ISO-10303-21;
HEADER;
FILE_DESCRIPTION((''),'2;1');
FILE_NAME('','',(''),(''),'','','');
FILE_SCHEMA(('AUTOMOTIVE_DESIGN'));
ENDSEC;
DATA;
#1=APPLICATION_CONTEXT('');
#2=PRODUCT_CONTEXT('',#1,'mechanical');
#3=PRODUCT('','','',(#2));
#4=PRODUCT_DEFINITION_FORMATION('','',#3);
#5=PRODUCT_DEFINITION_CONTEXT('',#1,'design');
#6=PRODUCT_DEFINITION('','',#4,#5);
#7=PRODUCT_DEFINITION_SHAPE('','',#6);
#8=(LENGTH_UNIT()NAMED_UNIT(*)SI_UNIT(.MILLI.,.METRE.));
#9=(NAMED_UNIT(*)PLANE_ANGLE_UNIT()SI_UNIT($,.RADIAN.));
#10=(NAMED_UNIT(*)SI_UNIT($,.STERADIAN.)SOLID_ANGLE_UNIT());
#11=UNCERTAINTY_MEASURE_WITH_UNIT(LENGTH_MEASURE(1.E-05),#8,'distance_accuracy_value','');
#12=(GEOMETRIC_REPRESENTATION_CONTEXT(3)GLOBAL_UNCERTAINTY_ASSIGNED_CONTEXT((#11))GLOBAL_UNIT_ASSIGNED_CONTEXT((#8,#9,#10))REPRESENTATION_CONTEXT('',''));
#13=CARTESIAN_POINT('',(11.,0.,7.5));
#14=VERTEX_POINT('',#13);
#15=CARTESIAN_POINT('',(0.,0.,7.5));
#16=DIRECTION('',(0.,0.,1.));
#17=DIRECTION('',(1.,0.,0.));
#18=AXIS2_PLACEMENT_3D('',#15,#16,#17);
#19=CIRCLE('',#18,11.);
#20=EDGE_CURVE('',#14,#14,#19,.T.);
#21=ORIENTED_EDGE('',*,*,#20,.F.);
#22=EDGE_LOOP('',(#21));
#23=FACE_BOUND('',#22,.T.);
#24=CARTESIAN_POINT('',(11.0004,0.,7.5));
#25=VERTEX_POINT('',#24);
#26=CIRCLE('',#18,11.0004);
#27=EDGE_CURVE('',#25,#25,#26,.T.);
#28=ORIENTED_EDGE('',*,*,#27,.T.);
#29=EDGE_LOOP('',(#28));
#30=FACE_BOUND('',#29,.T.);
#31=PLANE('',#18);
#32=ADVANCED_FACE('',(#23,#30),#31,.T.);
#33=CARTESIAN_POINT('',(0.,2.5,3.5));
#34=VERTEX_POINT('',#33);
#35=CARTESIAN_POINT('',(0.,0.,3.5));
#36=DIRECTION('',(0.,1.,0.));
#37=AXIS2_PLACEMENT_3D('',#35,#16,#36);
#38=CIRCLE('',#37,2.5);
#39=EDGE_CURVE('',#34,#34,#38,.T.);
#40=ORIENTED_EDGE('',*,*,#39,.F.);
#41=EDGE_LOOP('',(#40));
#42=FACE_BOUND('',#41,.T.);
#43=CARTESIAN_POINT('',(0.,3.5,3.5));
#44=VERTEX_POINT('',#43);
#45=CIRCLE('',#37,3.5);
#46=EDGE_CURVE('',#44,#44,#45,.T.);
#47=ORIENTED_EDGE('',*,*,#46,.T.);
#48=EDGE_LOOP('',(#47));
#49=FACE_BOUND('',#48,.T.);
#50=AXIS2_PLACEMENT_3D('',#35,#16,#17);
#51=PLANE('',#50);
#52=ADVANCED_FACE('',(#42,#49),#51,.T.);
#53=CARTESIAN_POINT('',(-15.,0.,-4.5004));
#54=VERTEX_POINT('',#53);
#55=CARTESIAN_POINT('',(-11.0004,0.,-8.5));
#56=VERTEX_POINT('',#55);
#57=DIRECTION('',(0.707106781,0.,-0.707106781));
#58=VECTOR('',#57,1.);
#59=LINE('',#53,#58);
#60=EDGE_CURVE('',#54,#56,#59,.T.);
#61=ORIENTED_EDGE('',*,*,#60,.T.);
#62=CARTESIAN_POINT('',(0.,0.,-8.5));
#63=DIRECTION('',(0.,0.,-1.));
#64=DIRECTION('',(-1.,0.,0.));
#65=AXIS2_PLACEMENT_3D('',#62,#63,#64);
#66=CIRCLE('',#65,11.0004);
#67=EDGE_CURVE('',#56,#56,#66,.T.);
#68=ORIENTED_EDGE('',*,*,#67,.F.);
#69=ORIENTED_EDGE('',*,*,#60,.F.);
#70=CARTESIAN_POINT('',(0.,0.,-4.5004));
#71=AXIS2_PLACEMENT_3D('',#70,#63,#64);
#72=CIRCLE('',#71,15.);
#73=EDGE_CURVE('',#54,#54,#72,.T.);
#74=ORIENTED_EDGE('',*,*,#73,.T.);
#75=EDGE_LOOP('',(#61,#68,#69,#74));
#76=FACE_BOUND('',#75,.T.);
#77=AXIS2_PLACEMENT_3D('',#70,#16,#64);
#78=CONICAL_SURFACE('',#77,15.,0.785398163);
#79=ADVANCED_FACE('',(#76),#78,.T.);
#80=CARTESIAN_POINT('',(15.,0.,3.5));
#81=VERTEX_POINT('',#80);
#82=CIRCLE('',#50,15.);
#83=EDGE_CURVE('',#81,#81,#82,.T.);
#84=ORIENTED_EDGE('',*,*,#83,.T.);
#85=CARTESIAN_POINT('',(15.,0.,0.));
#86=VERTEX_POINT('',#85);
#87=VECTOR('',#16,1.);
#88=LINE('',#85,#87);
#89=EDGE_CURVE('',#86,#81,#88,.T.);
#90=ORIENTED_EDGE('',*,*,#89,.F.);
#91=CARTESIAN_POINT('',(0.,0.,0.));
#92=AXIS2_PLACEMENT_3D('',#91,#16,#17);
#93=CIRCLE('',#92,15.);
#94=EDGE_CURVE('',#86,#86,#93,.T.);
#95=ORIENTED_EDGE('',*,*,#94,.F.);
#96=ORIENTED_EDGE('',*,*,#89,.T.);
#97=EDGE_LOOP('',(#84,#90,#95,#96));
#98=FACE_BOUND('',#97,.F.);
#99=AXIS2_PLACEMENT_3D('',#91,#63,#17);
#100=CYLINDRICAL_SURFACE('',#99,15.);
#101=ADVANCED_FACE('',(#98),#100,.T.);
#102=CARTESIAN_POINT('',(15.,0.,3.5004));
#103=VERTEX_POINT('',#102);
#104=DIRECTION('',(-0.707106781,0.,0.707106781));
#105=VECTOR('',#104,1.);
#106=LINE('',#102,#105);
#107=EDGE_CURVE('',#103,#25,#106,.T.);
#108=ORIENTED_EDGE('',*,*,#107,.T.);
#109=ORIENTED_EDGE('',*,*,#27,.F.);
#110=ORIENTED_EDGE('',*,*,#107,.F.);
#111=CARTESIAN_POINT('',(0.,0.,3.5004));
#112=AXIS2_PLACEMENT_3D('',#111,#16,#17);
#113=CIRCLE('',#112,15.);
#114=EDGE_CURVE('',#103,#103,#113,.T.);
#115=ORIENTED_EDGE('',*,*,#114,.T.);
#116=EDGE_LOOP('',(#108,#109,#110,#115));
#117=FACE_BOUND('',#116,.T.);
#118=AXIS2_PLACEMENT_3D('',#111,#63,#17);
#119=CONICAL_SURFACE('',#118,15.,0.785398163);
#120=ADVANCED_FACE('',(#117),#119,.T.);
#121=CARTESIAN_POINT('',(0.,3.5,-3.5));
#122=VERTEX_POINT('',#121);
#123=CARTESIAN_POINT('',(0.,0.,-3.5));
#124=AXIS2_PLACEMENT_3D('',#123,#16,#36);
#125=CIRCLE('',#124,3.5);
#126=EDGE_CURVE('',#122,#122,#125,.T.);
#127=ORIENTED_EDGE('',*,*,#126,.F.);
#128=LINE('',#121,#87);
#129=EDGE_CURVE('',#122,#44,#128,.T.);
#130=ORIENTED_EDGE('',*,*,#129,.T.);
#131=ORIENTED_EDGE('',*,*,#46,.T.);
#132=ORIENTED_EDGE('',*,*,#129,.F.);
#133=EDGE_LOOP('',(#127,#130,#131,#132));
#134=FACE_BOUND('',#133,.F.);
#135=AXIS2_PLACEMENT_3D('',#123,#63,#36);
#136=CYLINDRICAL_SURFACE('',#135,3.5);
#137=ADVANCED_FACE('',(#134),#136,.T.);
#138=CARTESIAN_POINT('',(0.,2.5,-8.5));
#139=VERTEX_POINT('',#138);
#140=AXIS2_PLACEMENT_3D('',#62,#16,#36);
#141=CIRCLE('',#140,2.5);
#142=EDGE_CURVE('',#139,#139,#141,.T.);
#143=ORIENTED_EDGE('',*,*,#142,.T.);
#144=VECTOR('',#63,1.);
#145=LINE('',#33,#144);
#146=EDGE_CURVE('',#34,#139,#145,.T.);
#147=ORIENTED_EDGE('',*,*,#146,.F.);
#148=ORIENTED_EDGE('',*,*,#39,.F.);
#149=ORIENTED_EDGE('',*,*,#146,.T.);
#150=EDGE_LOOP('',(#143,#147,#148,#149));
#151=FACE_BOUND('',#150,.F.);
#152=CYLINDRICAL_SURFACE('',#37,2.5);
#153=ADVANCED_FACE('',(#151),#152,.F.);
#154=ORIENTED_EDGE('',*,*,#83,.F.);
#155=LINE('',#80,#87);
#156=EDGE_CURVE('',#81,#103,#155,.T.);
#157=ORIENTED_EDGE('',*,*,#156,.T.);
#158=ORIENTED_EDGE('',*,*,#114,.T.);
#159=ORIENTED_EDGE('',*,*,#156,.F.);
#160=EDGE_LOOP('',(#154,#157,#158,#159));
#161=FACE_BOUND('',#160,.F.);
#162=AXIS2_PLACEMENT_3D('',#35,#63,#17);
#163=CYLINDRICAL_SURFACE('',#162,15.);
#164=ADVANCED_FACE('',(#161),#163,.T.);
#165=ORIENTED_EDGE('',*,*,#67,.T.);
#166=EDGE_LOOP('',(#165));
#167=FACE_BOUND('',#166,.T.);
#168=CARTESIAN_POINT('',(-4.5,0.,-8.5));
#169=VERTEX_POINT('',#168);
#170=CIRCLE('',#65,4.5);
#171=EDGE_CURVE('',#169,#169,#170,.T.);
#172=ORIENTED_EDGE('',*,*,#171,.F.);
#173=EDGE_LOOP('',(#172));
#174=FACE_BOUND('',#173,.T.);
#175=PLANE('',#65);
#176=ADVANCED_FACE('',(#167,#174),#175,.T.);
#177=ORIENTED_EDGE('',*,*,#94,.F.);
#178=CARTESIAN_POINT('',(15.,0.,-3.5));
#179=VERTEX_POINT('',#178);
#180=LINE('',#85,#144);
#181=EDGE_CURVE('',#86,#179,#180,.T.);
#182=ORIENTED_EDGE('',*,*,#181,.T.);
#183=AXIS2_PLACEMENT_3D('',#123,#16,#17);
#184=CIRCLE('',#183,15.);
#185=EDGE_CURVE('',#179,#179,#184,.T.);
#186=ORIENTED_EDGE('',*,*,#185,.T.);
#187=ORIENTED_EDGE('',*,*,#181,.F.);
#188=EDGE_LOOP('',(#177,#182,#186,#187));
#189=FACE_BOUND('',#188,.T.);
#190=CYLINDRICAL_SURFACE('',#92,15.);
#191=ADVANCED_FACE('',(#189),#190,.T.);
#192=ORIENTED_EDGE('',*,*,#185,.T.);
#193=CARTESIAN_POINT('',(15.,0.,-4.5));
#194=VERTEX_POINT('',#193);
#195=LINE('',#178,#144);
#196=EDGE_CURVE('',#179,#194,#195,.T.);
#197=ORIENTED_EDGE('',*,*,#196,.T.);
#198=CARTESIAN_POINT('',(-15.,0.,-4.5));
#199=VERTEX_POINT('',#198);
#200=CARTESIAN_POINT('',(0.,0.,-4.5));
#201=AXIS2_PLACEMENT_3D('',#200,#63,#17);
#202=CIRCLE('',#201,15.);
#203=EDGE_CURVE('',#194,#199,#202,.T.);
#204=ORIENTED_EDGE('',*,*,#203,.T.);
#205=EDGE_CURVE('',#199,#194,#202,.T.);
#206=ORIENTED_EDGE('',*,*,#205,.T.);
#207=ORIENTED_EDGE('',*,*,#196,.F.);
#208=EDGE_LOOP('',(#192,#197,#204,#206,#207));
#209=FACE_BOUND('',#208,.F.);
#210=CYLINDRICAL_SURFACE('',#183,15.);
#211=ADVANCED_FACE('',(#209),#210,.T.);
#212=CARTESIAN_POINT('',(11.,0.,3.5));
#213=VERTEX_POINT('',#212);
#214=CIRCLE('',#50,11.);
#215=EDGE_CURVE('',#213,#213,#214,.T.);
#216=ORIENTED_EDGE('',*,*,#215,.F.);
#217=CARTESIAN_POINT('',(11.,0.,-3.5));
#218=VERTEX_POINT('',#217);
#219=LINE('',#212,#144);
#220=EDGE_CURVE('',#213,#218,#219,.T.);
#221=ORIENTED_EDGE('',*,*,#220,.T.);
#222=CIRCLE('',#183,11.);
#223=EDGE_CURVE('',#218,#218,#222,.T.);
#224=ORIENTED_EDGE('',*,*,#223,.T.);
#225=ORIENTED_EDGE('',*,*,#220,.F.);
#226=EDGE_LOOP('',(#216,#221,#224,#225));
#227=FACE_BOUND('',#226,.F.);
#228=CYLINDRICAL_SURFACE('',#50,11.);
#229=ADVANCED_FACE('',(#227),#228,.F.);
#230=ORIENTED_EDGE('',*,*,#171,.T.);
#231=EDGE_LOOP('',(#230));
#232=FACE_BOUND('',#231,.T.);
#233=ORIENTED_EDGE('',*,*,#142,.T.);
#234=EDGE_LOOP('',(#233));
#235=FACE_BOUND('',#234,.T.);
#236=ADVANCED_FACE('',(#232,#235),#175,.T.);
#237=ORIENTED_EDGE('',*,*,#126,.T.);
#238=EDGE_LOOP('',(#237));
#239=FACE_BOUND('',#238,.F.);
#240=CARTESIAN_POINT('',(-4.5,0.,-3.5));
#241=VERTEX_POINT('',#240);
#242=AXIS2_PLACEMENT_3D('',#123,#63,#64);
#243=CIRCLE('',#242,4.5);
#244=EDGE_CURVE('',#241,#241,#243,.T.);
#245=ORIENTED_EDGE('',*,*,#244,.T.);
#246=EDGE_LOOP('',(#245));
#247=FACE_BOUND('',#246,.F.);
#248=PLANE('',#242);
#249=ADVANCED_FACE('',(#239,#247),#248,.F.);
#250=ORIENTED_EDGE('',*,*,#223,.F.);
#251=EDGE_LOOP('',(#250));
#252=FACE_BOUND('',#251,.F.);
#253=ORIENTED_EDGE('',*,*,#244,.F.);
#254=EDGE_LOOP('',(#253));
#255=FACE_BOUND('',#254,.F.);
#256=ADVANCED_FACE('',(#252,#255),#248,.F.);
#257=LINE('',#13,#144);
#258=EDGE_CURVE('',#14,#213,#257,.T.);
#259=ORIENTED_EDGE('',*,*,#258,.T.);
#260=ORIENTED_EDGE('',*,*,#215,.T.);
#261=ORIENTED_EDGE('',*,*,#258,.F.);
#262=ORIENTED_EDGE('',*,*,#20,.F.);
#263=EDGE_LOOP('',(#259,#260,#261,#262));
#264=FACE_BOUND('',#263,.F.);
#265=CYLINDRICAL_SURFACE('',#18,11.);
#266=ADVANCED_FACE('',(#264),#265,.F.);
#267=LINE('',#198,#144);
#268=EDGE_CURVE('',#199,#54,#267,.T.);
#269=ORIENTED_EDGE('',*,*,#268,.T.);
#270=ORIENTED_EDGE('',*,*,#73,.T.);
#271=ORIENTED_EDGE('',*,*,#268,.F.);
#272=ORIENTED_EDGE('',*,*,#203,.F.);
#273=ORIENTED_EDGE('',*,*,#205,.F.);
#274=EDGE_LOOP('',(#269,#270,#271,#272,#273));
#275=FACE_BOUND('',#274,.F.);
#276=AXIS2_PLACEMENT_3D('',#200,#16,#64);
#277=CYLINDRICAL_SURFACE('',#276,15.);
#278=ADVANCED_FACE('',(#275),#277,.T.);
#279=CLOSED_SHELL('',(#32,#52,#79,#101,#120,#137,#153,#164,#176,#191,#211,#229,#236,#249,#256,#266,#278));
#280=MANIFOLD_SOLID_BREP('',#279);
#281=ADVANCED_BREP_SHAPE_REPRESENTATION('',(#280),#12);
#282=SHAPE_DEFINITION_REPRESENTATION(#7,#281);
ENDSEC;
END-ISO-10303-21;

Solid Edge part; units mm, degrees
sketch "Sketch1" plane through (0, 0, 0) normal (0, 0, 1) x (1, 0, 0)
  circle A0 centre (0, 0) radius 15
extrude "Protrusion1" add sketch "Sketch1" along normal mid plane 7
sketch "Sketch2" plane through (0, 0, 3.5) normal (0, 0, 1) x (1, 0, 0)
  circle A0 centre (0, 0) radius 11
extrude "ExtrudedCutout_2" cut sketch "Sketch2" against normal blind 28.5
sketch "Sketch3" plane through (0, 0, -3.5) normal (0, 0, -1) x (1, 0, 0)
  circle A0 centre (0, 0) radius 15
extrude "ExtrudedProtrusion_2" add sketch "Sketch3" along normal blind 1
sketch "Sketch4" plane through (0, 0, -4.5) normal (0, 0, -1) x (1, 0, 0)
  circle A0 centre (0, 0) radius 4.5
extrude "ExtrudedCutout_3" cut sketch "Sketch4" against normal blind 57
sketch "Sketch5" plane through (0, 0, 3.5) normal (0, 0, 1) x (1, 0, 0)
  circle A0 centre (0, 0) radius 15
extrude "ExtrudedProtrusion_3" add sketch "Sketch5" along normal blind 4
sketch "Sketch6" plane through (0, 0, 7.5) normal (0, 0, 1) x (1, 0, 0)
  circle A0 centre (0, 0) radius 11
extrude "ExtrudedCutout_4" cut sketch "Sketch6" against normal blind 4
chamfer "Chamfer_1" distance 4 angle 45 1 edges at (-15, 0, 7.5)
sketch "Sketch7" plane through (0, 0, -4.5) normal (0, 0, -1) x (-1, 0, 0)
  circle A0 centre (0, 0) radius 15
extrude "ExtrudedProtrusion_5" add sketch "Sketch7" along normal blind 4
sketch "Sketch8" plane through (0, 0, -8.5) normal (0, 0, -1) x (-1, 0, 0)
  circle A0 centre (0, 0) radius 4.5
extrude "ExtrudedCutout_6" cut sketch "Sketch8" against normal blind 47.5
chamfer "Chamfer_3" distance 4 angle 45 1 edges at (15, 0, -8.5)
sketch "Sketch9" plane through (0, 0, -8.5) normal (0, 0, -1) x (-1, 0, 0)
  circle A0 centre (0, 0) radius 4.5
extrude "Protrusion2" add sketch "Sketch9" against normal up to vertex (5 mm away)
sketch "Sketch10" plane through (0, 0, -3.5) normal (0, 0, 1) x (0, 1, 0)
  circle A0 centre (0, 0) radius 3.5
extrude "ExtrudedProtrusion_7" add sketch "Sketch10" along normal blind 7
sketch "Sketch11" plane through (0, 0, 3.5) normal (0, 0, 1) x (0, 1, 0)
  circle A0 centre (0, 0) radius 2.5
extrude "ExtrudedCutout_7" cut sketch "Sketch11" against normal blind 266
